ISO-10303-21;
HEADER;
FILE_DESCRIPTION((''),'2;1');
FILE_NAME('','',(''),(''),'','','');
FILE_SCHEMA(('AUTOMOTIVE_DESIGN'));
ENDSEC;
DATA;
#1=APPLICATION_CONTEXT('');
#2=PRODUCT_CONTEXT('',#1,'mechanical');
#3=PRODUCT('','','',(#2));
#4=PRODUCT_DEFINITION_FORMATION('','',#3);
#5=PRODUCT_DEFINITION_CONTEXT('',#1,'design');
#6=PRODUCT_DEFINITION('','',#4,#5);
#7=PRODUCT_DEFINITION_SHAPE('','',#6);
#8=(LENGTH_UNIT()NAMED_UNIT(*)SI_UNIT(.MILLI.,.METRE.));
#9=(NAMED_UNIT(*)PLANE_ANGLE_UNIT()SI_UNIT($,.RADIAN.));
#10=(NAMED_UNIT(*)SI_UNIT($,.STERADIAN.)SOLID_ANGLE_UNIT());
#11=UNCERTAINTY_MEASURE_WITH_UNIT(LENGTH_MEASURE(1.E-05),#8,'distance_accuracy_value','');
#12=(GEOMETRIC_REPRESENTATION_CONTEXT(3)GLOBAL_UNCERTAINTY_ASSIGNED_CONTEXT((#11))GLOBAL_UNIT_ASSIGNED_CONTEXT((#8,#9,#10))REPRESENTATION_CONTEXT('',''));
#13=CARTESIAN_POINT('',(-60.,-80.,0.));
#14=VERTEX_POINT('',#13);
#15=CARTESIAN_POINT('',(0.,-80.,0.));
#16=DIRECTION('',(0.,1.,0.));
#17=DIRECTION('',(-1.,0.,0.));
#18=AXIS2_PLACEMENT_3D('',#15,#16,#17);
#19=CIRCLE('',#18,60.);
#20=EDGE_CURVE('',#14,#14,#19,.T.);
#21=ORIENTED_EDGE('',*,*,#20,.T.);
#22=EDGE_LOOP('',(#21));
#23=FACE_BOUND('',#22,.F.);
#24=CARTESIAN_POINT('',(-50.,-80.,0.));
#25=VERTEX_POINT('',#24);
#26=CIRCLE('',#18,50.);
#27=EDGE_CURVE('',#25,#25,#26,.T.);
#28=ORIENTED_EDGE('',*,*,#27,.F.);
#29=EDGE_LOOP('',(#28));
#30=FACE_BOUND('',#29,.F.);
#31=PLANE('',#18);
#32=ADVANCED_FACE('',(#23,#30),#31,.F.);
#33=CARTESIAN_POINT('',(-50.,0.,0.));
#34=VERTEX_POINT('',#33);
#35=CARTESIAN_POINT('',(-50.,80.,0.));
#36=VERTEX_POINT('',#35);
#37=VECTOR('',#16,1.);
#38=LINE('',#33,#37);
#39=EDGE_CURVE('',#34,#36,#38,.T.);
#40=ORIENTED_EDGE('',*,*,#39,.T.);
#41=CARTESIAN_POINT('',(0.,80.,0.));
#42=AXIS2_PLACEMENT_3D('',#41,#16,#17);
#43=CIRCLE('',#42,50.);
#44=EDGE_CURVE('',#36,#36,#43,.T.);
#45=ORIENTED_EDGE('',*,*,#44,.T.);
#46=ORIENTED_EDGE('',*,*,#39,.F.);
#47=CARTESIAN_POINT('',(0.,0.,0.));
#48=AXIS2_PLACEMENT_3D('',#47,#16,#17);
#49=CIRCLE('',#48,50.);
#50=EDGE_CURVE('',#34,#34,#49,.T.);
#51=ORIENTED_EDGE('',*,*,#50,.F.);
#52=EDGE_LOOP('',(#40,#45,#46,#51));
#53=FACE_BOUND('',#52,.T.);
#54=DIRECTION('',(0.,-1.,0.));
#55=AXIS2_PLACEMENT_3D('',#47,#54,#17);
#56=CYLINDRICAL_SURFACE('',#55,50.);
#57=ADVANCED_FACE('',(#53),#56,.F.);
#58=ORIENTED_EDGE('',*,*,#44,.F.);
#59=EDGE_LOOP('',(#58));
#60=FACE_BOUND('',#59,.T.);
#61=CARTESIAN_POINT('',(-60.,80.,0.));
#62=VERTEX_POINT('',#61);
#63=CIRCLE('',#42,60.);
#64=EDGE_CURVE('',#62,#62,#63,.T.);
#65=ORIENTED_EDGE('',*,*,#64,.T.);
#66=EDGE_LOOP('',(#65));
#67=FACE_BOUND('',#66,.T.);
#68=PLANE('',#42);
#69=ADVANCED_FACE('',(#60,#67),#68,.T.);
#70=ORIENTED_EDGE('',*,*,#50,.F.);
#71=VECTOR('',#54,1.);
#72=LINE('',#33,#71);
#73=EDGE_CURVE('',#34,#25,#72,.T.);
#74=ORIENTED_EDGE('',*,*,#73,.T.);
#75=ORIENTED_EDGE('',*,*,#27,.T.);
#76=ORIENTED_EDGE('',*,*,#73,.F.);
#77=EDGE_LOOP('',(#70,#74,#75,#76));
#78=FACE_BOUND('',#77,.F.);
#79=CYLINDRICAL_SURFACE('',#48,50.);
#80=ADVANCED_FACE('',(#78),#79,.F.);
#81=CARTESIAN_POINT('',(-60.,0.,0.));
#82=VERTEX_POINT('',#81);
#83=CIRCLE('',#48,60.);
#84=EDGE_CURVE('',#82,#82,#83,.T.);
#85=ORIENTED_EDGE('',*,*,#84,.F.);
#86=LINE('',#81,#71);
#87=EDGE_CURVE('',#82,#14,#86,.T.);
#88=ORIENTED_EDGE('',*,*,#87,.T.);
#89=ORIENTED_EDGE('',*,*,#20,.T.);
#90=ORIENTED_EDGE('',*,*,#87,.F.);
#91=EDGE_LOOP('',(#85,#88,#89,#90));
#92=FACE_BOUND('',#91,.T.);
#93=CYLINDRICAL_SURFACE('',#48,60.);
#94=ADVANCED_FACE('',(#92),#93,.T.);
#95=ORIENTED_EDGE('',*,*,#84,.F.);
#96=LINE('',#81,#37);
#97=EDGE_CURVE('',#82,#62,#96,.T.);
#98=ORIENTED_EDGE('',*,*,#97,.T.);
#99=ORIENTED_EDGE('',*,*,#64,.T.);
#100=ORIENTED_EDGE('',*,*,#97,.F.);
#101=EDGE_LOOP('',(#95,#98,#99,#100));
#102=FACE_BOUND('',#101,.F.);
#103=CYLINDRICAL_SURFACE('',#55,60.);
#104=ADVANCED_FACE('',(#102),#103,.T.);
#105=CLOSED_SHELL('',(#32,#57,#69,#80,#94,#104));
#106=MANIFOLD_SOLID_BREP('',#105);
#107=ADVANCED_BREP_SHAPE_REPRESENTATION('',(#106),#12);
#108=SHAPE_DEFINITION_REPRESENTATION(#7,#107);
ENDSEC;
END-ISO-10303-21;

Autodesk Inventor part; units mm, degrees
ref_plane "YZ Plane" through (0, 0, 0) normal (1, 0, 0) x (0, 1, 0)
ref_plane "XZ Plane" through (0, 0, 0) normal (0, 1, 0) x (-1, 0, 0)
ref_plane "XY Plane" through (0, 0, 0) normal (0, 0, 1) x (1, 0, 0)
sketch "Sketch1" plane through (0, 0, 0) normal (0, 1, 0) x (-1, 0, 0)
  circle A0 centre (0, 0) radius 50
  circle A1 centre (0, 0) radius 60
  dimension "d0" = 100
  dimension "d1" = 120
extrude "Extrusion1" add sketch "Sketch1" along normal mid plane 160
properties part number "cylinder"
